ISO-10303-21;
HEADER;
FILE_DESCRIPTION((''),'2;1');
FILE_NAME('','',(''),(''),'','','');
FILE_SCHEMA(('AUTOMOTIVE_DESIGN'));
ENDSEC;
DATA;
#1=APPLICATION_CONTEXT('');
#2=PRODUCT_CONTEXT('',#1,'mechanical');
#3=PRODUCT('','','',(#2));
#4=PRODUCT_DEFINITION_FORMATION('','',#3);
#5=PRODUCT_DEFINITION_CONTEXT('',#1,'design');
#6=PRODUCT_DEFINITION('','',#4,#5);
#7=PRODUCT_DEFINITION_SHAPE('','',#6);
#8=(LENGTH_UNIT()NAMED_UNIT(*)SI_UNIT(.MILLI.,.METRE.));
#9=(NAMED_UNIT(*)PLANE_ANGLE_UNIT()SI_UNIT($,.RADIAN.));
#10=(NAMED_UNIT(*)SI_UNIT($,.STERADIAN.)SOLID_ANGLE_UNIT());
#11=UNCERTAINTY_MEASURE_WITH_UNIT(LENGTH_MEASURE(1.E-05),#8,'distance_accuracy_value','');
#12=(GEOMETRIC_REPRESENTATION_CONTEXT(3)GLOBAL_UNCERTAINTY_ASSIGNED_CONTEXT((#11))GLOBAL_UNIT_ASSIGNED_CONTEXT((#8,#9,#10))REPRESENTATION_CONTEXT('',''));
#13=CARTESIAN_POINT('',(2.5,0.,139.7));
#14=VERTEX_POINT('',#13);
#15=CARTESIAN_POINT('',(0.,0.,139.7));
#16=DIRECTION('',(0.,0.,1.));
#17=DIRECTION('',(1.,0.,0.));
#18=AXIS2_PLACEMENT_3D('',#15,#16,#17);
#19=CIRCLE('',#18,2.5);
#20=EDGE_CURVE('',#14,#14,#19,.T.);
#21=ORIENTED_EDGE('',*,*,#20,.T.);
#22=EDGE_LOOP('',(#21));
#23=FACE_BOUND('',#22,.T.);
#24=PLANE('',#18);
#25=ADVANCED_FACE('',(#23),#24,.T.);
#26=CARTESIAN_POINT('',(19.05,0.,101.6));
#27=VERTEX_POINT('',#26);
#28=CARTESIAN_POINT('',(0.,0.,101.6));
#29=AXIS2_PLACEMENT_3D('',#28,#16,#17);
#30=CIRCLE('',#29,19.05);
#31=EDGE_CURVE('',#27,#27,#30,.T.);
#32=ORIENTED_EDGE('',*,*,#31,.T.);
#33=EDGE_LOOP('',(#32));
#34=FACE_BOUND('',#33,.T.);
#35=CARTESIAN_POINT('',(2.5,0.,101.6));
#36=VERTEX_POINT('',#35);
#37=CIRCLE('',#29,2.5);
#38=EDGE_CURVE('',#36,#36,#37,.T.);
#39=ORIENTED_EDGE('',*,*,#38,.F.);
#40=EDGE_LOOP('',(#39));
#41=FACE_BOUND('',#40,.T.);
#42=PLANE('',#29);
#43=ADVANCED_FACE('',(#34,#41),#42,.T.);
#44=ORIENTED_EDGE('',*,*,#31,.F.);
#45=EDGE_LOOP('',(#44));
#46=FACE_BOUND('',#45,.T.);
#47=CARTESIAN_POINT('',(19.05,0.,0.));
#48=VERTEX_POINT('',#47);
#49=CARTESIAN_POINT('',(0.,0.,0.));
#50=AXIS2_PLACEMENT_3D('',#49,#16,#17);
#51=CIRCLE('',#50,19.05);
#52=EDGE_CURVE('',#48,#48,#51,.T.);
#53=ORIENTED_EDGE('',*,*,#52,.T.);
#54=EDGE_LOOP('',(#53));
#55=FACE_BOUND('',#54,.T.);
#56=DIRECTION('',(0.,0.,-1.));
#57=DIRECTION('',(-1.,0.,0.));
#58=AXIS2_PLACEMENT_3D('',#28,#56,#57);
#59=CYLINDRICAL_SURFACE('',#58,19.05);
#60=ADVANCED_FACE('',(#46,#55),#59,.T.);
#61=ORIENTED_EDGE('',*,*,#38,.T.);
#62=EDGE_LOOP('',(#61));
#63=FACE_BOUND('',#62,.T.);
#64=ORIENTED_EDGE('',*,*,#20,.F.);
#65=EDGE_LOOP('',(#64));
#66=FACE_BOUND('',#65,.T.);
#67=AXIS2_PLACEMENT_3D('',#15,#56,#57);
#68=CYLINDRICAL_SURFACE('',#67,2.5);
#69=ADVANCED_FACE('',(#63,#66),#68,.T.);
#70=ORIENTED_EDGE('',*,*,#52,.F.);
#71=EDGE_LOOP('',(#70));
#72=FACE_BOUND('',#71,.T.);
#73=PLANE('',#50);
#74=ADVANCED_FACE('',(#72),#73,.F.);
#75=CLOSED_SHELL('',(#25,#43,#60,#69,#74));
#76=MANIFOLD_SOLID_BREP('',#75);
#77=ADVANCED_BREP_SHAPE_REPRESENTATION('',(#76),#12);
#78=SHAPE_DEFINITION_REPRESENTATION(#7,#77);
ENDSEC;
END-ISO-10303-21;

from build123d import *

# Parameters (mm, degrees)
SKETCH1_R           = 19.05
BOSS_EXTRUDE1_DEPTH = 101.6
SKETCH2_R           = 2.5
BOSS_EXTRUDE2_DEPTH = 38.1


with BuildPart() as part:
    # Sketch1 → Boss-Extrude1 (new body)
    with BuildSketch(Plane.XY):
        Circle(SKETCH1_R)
    extrude(amount=BOSS_EXTRUDE1_DEPTH)

    # Sketch2 → Boss-Extrude2 (add)
    with BuildSketch(Plane.XY.offset(101.6)):
        Circle(SKETCH2_R)
    extrude(amount=BOSS_EXTRUDE2_DEPTH)


solid = part.part
